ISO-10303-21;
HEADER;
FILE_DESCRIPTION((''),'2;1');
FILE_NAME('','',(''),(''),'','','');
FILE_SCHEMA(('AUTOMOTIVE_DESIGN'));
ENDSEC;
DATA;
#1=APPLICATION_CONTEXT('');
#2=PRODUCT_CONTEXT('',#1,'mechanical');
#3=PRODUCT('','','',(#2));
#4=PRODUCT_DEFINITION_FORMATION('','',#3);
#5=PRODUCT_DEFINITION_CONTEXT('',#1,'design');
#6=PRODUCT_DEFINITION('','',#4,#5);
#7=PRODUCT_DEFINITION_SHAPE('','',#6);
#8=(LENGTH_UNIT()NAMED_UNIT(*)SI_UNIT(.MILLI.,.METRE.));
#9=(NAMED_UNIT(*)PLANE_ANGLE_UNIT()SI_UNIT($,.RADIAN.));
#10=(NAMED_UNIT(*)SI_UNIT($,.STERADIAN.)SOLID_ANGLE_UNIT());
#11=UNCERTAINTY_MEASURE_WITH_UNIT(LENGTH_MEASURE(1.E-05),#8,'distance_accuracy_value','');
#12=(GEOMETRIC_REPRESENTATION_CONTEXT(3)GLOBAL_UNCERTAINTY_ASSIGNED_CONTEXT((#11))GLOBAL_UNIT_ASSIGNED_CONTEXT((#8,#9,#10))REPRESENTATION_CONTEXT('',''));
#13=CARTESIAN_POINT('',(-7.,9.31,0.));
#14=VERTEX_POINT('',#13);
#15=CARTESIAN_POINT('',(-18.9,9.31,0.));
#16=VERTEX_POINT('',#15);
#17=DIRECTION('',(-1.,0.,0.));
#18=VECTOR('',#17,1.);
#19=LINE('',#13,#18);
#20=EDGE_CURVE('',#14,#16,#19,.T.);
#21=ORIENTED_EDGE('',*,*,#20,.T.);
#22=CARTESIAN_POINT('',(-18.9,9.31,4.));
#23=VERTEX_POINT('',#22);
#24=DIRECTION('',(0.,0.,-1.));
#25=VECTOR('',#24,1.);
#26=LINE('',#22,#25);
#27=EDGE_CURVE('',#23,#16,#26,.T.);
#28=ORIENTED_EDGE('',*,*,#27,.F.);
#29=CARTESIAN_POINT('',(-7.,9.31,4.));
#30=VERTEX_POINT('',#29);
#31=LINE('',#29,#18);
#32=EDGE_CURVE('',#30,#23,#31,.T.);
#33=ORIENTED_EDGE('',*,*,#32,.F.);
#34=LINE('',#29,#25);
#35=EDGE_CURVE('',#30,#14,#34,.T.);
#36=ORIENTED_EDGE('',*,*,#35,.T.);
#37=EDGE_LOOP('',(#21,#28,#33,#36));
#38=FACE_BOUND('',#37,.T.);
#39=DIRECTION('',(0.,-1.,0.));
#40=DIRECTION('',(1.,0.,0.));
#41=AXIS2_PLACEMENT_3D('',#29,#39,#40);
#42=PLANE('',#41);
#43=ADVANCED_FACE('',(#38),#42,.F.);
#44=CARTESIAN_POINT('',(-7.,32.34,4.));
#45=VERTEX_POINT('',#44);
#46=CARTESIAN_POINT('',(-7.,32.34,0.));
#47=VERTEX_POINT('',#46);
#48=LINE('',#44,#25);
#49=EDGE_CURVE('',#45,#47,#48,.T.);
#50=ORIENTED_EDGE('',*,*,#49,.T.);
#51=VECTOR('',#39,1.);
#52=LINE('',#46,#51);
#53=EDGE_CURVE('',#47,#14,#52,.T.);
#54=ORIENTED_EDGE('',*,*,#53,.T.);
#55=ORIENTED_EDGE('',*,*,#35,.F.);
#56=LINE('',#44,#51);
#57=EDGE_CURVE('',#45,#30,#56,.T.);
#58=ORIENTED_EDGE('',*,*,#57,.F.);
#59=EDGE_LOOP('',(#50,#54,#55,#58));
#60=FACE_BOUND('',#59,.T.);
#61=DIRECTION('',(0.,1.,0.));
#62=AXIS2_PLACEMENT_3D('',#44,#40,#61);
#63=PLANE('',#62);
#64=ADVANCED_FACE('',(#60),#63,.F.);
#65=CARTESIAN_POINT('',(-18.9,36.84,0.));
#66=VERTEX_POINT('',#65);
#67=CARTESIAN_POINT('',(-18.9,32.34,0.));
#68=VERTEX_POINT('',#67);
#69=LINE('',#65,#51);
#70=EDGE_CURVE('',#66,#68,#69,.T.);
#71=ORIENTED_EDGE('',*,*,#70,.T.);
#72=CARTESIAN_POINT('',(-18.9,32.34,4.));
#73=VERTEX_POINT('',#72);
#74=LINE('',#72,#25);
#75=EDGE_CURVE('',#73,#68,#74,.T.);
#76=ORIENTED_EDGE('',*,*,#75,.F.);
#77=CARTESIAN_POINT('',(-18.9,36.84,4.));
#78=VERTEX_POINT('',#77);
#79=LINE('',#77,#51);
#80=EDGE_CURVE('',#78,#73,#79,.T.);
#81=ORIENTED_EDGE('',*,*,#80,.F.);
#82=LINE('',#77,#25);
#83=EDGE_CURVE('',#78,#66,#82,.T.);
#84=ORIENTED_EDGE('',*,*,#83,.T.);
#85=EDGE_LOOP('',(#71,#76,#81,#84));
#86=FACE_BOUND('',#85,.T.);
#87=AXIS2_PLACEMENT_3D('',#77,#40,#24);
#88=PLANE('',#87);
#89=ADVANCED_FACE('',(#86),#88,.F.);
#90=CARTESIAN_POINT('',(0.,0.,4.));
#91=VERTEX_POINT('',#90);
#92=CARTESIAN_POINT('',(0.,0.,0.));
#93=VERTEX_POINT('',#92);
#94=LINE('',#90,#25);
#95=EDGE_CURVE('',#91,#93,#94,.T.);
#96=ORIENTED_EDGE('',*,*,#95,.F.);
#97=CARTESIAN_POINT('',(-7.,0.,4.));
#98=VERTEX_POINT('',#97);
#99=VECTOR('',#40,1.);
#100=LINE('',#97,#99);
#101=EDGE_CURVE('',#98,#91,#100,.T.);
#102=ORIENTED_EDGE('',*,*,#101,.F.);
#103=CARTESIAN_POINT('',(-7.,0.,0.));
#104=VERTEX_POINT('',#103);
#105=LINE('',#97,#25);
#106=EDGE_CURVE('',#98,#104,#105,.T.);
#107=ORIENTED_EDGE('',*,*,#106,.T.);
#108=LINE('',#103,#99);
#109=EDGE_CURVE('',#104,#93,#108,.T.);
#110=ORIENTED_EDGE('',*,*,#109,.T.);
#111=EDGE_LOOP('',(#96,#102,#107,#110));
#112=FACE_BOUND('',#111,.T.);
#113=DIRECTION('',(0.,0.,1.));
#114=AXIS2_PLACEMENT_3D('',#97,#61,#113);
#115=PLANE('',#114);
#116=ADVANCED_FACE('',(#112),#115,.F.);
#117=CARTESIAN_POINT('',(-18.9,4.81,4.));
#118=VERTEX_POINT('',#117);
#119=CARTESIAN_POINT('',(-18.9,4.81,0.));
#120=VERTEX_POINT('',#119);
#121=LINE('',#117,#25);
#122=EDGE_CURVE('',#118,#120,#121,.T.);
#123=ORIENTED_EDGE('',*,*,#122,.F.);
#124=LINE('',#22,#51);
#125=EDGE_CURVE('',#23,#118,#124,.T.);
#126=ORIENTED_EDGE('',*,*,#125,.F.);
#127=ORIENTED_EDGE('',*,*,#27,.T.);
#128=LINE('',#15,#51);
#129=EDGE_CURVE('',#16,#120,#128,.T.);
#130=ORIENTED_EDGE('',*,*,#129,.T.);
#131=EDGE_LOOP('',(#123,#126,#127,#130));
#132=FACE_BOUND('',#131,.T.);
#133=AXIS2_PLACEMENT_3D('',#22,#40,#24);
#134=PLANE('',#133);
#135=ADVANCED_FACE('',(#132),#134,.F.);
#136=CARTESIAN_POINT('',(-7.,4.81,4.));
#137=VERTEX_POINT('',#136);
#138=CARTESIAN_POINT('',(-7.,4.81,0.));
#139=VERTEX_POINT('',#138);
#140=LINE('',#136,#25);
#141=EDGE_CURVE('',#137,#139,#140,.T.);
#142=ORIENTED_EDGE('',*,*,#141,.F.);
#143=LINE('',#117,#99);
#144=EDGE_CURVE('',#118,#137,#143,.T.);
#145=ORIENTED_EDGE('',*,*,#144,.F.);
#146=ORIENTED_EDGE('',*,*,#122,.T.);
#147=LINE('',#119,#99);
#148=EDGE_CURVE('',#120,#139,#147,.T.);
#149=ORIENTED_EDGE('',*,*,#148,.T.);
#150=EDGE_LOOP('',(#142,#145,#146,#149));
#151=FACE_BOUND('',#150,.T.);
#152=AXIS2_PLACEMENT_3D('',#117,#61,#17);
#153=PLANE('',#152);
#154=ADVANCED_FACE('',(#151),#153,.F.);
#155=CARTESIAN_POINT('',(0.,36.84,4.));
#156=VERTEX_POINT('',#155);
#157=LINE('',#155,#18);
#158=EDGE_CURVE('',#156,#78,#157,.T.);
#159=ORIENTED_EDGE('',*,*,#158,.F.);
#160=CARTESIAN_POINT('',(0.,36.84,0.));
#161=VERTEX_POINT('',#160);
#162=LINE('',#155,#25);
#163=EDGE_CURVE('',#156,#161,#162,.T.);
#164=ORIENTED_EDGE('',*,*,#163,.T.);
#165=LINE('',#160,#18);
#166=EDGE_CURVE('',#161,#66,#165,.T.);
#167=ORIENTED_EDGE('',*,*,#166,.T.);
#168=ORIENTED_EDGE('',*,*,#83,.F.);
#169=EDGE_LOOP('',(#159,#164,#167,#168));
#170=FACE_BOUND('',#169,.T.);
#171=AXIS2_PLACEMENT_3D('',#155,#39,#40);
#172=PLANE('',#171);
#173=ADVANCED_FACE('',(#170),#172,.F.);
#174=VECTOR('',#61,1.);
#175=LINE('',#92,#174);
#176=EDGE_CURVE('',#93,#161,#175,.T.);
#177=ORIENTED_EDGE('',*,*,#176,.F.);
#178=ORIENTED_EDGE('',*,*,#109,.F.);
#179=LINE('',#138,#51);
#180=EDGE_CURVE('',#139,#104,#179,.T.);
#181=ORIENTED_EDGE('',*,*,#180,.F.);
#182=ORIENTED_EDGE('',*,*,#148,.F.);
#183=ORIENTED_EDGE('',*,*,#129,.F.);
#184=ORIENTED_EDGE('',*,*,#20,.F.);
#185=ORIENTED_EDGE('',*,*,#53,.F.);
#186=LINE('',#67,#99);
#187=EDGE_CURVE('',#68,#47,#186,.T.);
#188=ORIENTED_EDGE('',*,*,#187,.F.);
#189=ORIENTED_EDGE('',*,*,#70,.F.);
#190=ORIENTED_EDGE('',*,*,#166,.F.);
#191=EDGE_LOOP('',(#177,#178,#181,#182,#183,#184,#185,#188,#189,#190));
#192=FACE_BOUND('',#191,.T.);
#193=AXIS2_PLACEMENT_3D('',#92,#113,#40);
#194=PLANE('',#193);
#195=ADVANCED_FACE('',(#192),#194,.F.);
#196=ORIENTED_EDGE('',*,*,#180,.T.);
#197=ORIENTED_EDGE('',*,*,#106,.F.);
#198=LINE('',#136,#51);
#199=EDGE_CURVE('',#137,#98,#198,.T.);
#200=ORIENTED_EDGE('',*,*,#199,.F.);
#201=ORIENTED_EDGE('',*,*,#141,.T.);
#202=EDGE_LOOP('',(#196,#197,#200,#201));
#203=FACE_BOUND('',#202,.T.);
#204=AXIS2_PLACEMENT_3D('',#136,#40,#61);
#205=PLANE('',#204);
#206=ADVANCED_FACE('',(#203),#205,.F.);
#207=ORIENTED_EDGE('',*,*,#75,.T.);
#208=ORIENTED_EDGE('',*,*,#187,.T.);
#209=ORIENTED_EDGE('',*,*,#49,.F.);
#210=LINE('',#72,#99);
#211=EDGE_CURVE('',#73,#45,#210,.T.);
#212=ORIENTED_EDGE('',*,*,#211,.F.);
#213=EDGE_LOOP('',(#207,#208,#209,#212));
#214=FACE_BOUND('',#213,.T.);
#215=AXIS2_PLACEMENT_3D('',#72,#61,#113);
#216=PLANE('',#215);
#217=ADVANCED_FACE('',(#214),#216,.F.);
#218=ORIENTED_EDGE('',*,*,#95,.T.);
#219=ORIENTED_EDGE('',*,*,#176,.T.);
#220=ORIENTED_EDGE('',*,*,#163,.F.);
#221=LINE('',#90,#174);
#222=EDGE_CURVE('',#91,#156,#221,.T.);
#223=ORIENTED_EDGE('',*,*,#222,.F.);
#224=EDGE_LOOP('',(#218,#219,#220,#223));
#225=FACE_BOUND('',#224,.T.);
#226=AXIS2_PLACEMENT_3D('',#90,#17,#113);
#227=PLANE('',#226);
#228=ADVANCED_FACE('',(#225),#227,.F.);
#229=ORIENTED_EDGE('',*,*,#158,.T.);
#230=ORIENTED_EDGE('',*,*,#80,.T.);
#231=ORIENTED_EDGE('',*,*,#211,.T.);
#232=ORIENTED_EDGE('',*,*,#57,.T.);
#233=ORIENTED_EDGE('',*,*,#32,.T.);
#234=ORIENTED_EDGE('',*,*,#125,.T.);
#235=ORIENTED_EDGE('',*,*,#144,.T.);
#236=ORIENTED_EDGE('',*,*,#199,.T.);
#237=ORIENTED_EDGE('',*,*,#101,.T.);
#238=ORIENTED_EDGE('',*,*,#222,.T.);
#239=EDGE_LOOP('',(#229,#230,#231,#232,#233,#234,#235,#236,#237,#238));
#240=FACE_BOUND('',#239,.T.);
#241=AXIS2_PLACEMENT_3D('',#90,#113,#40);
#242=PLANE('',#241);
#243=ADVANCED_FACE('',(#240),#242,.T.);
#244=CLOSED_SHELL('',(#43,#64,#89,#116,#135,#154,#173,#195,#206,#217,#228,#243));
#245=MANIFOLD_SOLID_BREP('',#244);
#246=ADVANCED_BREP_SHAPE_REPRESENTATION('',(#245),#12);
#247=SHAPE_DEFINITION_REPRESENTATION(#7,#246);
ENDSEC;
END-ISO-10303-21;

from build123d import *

# Parameters (mm, degrees)
BOSS_EXTRUDE1_DEPTH = 4


with BuildPart() as part:
    # Sketch5 → Boss-Extrude1 (new body)
    with BuildSketch(Plane.XY):
        Polygon((0, 0), (0, 36.84), (-18.9, 36.84), (-18.9, 32.34), (-7, 32.34), (-7, 9.31), (-18.9, 9.31), (-18.9, 4.81), (-7, 4.81), (-7, 0), align=None)
    extrude(amount=BOSS_EXTRUDE1_DEPTH)


solid = part.part
